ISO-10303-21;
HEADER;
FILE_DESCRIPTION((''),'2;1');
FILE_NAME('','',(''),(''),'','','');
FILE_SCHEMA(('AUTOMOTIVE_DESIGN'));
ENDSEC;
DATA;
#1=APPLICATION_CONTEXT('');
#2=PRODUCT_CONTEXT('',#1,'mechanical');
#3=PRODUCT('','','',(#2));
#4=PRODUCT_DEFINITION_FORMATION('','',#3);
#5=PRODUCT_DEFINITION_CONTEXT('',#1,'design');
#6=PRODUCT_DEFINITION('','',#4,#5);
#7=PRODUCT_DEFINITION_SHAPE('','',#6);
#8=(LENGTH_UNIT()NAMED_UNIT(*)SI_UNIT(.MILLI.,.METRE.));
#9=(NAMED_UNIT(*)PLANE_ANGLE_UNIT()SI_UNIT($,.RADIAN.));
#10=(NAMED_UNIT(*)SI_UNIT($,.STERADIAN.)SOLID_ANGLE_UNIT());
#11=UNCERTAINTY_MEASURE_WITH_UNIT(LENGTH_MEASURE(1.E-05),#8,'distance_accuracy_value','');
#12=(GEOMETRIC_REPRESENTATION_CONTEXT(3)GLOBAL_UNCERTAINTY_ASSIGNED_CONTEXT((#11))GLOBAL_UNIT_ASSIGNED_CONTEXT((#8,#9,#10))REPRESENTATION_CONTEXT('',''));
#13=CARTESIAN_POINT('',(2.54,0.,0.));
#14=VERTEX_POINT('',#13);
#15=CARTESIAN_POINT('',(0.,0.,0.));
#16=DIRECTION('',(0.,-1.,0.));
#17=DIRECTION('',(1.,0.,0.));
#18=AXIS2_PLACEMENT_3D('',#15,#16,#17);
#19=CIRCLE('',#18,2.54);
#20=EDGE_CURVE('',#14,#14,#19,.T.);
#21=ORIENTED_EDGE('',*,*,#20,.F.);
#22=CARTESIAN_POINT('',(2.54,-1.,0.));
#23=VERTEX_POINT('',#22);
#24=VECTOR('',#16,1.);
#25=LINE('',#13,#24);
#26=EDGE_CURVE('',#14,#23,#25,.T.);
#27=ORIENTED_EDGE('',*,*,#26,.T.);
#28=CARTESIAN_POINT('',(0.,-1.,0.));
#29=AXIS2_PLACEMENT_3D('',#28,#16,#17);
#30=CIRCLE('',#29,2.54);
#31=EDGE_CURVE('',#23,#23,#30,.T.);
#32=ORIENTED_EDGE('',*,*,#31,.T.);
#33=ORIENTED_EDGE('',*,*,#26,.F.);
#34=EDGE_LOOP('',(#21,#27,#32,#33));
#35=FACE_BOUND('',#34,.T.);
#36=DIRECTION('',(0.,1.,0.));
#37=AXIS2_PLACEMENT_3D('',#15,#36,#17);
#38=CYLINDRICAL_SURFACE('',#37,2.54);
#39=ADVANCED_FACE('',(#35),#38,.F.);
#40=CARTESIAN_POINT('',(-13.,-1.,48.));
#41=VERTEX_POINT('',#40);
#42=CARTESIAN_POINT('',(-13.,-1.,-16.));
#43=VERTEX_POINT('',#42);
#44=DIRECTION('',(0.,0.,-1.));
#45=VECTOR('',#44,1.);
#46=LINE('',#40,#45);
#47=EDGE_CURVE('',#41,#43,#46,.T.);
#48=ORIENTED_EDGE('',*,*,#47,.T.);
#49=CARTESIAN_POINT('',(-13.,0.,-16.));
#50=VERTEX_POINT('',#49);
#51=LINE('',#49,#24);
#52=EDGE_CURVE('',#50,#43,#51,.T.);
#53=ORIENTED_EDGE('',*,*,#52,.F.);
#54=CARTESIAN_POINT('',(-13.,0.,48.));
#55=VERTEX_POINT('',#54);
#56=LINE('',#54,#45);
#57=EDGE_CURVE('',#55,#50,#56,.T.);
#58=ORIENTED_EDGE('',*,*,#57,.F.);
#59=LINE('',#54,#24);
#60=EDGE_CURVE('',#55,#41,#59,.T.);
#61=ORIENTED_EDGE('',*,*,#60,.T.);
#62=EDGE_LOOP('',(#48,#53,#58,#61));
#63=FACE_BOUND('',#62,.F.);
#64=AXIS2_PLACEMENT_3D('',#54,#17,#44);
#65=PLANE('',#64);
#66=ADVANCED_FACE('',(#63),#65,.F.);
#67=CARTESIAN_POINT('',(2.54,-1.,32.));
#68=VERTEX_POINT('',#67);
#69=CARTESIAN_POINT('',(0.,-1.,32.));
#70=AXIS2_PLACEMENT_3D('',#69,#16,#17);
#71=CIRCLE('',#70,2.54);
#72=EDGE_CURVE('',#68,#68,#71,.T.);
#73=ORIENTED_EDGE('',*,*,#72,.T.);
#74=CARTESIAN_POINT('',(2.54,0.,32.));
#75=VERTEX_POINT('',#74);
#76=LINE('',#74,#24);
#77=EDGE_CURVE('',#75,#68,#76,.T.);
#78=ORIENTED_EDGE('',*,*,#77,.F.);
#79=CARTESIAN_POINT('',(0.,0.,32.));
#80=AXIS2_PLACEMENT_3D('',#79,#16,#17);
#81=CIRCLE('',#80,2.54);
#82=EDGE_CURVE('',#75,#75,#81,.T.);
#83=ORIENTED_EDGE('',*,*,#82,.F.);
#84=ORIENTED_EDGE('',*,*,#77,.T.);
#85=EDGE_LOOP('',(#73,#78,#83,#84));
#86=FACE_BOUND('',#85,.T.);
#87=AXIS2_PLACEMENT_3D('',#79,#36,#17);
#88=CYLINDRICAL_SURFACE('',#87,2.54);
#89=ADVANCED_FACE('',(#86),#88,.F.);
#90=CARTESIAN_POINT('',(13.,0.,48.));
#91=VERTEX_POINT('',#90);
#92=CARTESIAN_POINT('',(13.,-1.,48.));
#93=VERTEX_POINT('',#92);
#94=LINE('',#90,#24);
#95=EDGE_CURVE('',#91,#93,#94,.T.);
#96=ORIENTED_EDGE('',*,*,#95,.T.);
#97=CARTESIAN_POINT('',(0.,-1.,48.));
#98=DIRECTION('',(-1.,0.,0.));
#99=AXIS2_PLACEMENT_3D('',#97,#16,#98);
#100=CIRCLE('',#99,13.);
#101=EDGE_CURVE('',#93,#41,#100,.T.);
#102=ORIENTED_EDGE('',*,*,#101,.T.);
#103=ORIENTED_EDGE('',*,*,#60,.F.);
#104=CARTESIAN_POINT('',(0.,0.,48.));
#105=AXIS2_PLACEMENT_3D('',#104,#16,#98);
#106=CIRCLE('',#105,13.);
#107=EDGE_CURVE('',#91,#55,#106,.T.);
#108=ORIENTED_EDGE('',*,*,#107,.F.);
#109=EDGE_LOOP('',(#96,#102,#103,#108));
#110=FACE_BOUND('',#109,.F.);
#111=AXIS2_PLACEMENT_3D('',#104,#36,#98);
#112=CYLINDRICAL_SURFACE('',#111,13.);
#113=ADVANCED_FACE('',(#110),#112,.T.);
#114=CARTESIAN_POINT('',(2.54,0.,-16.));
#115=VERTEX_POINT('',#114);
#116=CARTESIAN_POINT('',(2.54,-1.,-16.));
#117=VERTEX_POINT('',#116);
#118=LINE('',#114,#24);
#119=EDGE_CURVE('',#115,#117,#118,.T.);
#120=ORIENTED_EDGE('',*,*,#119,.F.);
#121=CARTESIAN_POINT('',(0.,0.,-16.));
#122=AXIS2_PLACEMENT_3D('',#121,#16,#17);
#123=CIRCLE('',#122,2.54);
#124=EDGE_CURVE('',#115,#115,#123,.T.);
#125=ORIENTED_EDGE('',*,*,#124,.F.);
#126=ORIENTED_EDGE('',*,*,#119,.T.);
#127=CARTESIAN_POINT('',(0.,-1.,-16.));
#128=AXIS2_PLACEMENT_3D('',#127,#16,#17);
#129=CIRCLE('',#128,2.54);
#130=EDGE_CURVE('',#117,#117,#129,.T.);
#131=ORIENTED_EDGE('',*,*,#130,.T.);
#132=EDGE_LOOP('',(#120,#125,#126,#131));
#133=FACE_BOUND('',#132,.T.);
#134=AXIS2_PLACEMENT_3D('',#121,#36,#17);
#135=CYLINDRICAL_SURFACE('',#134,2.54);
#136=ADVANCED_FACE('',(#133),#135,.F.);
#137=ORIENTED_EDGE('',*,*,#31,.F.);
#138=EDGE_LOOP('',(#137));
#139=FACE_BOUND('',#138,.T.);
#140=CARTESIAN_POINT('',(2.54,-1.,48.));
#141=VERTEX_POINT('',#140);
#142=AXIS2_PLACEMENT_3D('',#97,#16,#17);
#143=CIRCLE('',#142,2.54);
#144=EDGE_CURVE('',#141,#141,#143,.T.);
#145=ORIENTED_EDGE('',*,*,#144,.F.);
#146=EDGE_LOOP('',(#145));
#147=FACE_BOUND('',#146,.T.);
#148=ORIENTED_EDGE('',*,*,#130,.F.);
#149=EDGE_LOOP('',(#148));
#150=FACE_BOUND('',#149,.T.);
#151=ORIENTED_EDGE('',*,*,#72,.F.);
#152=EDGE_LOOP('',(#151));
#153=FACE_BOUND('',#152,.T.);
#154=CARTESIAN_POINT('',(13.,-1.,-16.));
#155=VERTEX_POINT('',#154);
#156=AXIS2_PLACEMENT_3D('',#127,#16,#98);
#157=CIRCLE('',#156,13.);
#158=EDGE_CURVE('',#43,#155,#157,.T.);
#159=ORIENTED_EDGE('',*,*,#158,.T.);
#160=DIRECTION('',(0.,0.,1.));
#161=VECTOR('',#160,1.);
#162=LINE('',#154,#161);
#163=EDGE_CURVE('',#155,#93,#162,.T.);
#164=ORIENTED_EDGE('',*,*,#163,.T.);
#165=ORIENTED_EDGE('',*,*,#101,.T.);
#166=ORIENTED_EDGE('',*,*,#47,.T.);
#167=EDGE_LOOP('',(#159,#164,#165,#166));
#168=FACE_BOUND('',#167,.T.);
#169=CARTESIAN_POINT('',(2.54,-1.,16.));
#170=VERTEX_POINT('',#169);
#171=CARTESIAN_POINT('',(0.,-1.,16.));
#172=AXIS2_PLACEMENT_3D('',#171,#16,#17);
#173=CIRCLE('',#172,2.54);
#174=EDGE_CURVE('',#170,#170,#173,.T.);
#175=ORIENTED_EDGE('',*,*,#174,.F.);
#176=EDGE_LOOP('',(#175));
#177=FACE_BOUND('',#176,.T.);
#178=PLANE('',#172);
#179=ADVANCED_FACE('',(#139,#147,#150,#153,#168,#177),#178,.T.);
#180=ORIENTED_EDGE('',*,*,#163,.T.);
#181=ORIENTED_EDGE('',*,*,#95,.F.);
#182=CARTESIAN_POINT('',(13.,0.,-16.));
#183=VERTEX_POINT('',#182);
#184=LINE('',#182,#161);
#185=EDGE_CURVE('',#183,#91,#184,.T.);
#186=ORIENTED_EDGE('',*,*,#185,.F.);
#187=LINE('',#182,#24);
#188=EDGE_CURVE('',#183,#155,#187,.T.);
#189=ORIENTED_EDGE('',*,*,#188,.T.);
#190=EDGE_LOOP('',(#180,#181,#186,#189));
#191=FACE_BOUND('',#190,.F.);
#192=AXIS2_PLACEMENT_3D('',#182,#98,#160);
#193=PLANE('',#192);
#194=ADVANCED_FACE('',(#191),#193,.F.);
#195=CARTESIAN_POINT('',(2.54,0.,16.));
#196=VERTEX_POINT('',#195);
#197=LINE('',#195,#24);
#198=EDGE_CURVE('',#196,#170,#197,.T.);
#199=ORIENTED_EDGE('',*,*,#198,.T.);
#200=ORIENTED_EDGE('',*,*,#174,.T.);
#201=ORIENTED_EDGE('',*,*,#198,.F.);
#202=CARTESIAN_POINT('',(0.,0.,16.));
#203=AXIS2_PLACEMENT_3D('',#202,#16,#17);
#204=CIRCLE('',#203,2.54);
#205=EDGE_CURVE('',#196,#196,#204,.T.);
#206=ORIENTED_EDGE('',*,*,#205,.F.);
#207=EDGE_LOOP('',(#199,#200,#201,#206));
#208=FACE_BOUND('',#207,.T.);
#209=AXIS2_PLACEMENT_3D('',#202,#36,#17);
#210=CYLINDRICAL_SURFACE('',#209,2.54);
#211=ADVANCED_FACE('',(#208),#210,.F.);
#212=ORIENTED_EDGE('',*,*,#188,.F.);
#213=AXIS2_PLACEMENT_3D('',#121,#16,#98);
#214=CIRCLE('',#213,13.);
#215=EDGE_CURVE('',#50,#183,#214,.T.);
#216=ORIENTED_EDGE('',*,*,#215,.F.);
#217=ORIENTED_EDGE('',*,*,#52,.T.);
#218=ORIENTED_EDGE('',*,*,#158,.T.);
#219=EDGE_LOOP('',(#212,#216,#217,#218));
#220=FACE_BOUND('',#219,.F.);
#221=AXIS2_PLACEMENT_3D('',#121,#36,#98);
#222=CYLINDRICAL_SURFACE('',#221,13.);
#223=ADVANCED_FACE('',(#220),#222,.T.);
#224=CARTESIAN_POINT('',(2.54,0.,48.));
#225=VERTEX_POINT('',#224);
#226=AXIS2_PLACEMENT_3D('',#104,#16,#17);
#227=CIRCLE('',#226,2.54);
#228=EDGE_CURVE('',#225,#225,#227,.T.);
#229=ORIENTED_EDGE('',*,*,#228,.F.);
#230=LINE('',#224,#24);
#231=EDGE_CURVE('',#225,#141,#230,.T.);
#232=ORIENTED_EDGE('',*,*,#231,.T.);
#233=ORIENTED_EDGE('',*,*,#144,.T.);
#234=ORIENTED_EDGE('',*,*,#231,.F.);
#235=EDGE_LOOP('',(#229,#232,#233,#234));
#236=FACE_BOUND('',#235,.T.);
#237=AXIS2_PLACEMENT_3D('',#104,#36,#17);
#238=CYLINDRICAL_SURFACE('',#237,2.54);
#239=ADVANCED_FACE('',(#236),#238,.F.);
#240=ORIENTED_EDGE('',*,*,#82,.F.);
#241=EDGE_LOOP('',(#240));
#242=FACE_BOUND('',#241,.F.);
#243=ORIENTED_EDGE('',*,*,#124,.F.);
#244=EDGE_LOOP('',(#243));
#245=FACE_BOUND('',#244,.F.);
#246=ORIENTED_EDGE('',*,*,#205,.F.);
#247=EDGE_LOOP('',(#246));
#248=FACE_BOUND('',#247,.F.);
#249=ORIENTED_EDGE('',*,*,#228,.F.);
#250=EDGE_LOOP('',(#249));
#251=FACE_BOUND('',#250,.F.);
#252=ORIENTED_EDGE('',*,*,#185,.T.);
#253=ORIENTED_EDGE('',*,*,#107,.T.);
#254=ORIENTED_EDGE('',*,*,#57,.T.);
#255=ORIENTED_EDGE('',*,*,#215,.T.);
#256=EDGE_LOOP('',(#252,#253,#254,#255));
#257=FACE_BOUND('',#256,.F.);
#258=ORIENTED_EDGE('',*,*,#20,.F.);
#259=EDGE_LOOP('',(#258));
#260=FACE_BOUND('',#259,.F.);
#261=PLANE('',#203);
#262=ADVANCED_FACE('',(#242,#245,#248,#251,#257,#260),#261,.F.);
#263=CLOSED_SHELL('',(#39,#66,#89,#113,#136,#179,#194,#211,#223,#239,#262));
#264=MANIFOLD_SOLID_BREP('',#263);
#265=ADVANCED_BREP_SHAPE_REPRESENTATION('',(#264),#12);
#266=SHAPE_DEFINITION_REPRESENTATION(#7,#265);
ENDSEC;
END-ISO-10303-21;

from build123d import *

# Parameters (mm, degrees)
F0_R     = 2.54
F1_DEPTH = 1


with BuildPart() as f1:
    # F0 (on Front) → F1 (new body)
    with BuildSketch(Plane.XZ):
        with BuildLine():
            ThreePointArc((13, 48), (0, 35), (-13, 48))
            Line((-13, 48), (-13, -16))
            ThreePointArc((-13, -16), (0, -3), (13, -16))
            Line((13, -16), (13, 48))
        make_face()
        Circle(F0_R, mode=Mode.SUBTRACT)
        with Locations((0, 16)):
            Circle(F0_R, mode=Mode.SUBTRACT)
        with Locations((0, 32)):
            Circle(F0_R, mode=Mode.SUBTRACT)
        with BuildLine():
            ThreePointArc((13, 48), (0, 61), (-13, 48))
            ThreePointArc((-13, 48), (0, 35), (13, 48))
        make_face()
        with Locations((0, 48)):
            Circle(F0_R, mode=Mode.SUBTRACT)
        with BuildLine():
            ThreePointArc((13, -16), (0, -3), (-13, -16))
            ThreePointArc((-13, -16), (0, -29), (13, -16))
        make_face()
        with Locations((0, -16)):
            Circle(F0_R, mode=Mode.SUBTRACT)
    extrude(amount=F1_DEPTH)


solid = f1.part
